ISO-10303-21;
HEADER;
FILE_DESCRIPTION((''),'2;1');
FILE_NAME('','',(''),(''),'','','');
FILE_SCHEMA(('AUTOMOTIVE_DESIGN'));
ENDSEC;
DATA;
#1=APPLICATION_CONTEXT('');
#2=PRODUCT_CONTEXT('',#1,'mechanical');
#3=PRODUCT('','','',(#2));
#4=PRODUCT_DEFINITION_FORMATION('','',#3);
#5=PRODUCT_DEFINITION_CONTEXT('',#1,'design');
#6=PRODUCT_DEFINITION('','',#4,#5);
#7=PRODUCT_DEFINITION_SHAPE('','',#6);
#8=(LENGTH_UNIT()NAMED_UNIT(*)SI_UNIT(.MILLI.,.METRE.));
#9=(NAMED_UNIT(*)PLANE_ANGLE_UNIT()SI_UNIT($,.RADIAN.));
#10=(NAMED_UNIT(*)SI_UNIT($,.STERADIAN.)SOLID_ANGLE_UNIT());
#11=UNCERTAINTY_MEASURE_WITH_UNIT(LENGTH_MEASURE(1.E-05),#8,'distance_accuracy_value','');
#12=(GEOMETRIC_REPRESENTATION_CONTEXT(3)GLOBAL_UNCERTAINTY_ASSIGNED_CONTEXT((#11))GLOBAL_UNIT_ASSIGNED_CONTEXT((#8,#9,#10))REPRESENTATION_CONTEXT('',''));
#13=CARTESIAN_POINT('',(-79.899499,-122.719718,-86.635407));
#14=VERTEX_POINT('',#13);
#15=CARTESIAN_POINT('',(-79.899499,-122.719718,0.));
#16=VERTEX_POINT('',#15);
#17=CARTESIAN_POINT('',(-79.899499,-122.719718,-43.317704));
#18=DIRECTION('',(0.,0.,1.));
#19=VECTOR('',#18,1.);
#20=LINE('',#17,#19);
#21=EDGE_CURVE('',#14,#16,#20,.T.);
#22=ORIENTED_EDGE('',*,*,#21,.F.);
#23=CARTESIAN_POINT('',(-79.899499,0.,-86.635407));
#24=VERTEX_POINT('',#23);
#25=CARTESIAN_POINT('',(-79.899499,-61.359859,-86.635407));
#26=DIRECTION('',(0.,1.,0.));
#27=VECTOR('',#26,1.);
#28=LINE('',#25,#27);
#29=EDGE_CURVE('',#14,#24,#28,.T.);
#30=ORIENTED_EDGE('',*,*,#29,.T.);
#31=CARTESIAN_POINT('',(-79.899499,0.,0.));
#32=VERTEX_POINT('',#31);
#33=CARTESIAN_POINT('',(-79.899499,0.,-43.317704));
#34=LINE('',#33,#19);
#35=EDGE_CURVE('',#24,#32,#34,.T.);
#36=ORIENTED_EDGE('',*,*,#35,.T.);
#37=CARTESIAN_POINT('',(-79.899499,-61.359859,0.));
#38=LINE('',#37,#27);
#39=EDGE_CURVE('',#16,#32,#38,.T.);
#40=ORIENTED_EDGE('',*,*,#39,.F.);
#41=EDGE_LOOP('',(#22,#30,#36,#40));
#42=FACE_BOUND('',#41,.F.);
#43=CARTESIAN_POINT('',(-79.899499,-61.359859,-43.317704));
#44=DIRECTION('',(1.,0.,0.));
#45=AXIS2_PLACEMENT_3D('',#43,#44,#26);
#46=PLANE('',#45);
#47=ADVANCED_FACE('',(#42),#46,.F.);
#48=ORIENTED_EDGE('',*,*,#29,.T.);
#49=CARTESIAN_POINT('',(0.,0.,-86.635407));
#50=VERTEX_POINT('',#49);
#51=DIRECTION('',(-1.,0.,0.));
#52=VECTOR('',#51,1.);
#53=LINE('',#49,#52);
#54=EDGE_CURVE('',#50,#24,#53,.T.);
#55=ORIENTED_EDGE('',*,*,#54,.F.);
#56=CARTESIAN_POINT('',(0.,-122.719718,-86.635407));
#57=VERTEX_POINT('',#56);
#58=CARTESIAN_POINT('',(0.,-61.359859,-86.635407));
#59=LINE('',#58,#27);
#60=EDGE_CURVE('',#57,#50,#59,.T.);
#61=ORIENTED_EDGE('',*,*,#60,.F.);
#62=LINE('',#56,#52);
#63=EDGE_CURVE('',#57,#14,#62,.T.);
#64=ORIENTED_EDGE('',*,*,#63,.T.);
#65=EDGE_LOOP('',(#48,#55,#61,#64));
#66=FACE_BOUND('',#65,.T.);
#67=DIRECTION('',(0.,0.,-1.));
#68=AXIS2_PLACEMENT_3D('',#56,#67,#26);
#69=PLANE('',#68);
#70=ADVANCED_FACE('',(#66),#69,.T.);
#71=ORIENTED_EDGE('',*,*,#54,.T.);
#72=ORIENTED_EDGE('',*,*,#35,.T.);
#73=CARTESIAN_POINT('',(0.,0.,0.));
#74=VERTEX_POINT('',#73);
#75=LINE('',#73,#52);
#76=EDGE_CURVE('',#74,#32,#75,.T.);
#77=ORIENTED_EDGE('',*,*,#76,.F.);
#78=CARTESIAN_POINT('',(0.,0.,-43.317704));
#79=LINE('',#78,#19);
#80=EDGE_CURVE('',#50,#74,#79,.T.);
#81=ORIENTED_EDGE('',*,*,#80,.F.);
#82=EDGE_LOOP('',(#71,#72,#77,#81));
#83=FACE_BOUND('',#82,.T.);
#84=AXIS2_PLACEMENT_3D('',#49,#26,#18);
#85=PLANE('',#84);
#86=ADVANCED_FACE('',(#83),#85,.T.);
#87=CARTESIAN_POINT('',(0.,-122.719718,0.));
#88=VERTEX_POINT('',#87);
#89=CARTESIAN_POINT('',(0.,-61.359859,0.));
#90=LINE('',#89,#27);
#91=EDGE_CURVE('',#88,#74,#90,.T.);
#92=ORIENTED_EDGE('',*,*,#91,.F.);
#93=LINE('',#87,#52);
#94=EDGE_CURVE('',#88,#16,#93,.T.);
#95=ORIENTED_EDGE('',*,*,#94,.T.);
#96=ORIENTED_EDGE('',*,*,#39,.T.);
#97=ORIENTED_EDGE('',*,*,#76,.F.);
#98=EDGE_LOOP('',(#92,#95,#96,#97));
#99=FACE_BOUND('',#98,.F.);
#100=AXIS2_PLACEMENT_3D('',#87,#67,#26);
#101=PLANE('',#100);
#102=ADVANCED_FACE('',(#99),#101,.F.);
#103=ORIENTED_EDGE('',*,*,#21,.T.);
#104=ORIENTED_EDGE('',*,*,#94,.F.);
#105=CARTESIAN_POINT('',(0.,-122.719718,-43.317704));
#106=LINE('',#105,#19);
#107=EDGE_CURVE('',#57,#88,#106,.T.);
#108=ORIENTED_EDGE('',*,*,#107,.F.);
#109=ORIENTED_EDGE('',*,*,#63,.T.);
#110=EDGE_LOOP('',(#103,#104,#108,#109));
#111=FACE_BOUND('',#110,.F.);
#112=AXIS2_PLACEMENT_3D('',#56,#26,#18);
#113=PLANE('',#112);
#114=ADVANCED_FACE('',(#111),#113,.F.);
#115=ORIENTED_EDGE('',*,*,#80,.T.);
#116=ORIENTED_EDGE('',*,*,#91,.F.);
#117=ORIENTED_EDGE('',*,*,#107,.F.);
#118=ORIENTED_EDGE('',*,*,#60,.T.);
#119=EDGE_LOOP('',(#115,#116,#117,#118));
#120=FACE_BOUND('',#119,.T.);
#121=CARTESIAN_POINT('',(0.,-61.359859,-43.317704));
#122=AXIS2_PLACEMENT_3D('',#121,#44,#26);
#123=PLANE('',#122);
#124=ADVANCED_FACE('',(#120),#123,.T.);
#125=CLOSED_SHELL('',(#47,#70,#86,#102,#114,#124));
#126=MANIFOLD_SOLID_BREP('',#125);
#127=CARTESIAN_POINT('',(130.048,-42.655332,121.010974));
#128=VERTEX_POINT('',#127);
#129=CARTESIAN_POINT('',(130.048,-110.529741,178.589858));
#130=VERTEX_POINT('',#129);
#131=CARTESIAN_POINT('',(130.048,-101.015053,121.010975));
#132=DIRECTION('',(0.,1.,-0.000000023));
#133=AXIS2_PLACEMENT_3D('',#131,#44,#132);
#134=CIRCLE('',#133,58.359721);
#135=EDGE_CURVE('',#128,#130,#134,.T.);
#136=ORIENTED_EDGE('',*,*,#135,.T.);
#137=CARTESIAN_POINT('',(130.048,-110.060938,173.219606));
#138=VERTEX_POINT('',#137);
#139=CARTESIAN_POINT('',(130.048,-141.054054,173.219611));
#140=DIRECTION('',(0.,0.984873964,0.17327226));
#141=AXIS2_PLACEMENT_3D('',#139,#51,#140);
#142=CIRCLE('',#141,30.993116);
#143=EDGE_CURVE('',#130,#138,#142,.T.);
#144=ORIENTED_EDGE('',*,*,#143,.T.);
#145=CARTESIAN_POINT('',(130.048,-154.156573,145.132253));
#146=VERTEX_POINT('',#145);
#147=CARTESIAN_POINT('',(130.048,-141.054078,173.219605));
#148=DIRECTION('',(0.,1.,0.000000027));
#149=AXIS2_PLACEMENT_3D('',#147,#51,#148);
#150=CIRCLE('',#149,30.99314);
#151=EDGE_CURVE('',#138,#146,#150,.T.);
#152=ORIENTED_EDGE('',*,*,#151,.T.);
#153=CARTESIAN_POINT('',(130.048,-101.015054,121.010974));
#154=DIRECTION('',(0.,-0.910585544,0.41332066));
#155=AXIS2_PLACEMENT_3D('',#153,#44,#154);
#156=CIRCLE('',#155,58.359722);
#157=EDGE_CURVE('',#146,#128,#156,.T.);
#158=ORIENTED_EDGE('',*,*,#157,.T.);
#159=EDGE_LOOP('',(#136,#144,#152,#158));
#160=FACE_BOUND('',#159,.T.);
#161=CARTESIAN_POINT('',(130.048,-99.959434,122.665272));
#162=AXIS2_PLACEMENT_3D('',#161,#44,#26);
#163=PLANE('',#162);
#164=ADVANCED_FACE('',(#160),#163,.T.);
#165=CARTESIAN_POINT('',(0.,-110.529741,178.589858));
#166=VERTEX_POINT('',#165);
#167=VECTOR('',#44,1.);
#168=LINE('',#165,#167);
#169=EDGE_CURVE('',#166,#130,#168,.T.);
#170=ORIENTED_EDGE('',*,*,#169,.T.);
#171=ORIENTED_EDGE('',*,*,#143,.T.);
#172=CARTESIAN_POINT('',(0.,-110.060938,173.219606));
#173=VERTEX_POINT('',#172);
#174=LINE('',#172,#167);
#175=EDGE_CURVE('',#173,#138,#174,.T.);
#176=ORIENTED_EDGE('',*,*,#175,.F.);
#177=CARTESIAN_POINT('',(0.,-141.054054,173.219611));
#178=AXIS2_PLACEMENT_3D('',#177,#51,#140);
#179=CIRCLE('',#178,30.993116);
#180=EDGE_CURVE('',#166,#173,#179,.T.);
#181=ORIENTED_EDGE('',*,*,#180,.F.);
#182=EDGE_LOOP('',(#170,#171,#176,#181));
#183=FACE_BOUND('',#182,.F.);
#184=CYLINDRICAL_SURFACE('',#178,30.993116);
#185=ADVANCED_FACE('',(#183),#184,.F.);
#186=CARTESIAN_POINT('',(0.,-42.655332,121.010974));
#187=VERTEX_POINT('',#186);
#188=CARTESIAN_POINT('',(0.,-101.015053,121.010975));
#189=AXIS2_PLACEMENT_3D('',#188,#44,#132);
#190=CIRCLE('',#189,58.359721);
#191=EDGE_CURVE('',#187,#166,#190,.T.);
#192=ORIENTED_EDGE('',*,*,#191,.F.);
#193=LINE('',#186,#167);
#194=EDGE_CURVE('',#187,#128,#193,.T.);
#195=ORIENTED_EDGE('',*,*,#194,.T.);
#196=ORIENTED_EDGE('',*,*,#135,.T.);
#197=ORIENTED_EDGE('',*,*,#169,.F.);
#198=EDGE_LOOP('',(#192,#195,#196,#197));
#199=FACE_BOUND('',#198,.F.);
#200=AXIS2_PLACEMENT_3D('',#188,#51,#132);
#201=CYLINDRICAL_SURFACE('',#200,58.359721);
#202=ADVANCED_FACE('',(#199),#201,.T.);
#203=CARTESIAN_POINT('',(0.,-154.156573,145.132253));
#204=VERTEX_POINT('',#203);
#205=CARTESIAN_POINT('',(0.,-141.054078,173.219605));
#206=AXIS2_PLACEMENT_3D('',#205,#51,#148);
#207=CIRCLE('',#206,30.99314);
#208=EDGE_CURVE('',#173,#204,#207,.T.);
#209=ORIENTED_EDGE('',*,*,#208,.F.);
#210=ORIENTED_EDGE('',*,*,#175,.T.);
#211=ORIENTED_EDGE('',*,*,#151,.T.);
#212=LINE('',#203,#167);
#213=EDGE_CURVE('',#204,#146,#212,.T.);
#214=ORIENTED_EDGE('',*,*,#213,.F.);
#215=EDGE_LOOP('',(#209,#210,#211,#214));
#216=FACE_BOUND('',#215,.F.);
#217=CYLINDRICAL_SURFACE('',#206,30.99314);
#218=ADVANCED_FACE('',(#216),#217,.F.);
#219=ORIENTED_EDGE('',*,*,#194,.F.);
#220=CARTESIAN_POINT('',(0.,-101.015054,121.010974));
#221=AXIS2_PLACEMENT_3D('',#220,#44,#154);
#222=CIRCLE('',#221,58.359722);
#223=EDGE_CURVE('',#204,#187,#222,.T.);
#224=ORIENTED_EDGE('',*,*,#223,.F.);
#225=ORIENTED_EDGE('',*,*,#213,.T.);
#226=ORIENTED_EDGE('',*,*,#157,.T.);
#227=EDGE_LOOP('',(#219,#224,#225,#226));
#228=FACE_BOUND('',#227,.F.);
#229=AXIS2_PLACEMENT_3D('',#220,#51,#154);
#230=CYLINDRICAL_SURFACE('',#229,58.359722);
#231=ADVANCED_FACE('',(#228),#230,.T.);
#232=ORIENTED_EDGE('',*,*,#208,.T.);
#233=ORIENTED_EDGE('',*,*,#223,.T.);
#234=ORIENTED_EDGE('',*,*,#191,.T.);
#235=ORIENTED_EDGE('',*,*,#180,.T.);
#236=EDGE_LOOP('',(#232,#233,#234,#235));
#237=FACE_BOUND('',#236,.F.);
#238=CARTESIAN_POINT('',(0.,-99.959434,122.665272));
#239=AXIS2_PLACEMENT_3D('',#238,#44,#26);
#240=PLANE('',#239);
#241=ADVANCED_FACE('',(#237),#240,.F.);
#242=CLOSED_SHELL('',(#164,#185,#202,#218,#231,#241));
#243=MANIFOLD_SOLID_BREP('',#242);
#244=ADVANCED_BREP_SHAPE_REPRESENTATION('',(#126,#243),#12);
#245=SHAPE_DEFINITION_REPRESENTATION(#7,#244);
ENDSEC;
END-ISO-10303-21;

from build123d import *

# Parameters (mm, degrees)
F0_W     = 122.719718
F0_H     = 86.635407
F1_DEPTH = 79.899499
F2_DEPTH = 130.048


with BuildPart() as f1:
    # F0 (on Right) → F1 (new body)
    with BuildSketch(Plane.YZ):
        with Locations((-61.359859, -43.317704)):
            Rectangle(F0_W, F0_H)
    extrude(amount=-F1_DEPTH)


with BuildPart() as f2:
    # F0 (on Right) → F2 (new body)
    with BuildSketch(Plane.YZ):
        with BuildLine():
            ThreePointArc((-154.156573, 145.132253), (-113.354682, 63.970719), (-42.655332, 121.010974))
            ThreePointArc((-42.655332, 121.010974), (-63.262023, 165.514523), (-110.529741, 178.589858))
            ThreePointArc((-110.529741, 178.589858), (-110.178361, 175.914944), (-110.060938, 173.219606))
            ThreePointArc((-110.060938, 173.219606), (-124.403443, 147.079003), (-154.156573, 145.132253))
        make_face()
    extrude(amount=F2_DEPTH)


solid = Compound([f1.part, f2.part])
